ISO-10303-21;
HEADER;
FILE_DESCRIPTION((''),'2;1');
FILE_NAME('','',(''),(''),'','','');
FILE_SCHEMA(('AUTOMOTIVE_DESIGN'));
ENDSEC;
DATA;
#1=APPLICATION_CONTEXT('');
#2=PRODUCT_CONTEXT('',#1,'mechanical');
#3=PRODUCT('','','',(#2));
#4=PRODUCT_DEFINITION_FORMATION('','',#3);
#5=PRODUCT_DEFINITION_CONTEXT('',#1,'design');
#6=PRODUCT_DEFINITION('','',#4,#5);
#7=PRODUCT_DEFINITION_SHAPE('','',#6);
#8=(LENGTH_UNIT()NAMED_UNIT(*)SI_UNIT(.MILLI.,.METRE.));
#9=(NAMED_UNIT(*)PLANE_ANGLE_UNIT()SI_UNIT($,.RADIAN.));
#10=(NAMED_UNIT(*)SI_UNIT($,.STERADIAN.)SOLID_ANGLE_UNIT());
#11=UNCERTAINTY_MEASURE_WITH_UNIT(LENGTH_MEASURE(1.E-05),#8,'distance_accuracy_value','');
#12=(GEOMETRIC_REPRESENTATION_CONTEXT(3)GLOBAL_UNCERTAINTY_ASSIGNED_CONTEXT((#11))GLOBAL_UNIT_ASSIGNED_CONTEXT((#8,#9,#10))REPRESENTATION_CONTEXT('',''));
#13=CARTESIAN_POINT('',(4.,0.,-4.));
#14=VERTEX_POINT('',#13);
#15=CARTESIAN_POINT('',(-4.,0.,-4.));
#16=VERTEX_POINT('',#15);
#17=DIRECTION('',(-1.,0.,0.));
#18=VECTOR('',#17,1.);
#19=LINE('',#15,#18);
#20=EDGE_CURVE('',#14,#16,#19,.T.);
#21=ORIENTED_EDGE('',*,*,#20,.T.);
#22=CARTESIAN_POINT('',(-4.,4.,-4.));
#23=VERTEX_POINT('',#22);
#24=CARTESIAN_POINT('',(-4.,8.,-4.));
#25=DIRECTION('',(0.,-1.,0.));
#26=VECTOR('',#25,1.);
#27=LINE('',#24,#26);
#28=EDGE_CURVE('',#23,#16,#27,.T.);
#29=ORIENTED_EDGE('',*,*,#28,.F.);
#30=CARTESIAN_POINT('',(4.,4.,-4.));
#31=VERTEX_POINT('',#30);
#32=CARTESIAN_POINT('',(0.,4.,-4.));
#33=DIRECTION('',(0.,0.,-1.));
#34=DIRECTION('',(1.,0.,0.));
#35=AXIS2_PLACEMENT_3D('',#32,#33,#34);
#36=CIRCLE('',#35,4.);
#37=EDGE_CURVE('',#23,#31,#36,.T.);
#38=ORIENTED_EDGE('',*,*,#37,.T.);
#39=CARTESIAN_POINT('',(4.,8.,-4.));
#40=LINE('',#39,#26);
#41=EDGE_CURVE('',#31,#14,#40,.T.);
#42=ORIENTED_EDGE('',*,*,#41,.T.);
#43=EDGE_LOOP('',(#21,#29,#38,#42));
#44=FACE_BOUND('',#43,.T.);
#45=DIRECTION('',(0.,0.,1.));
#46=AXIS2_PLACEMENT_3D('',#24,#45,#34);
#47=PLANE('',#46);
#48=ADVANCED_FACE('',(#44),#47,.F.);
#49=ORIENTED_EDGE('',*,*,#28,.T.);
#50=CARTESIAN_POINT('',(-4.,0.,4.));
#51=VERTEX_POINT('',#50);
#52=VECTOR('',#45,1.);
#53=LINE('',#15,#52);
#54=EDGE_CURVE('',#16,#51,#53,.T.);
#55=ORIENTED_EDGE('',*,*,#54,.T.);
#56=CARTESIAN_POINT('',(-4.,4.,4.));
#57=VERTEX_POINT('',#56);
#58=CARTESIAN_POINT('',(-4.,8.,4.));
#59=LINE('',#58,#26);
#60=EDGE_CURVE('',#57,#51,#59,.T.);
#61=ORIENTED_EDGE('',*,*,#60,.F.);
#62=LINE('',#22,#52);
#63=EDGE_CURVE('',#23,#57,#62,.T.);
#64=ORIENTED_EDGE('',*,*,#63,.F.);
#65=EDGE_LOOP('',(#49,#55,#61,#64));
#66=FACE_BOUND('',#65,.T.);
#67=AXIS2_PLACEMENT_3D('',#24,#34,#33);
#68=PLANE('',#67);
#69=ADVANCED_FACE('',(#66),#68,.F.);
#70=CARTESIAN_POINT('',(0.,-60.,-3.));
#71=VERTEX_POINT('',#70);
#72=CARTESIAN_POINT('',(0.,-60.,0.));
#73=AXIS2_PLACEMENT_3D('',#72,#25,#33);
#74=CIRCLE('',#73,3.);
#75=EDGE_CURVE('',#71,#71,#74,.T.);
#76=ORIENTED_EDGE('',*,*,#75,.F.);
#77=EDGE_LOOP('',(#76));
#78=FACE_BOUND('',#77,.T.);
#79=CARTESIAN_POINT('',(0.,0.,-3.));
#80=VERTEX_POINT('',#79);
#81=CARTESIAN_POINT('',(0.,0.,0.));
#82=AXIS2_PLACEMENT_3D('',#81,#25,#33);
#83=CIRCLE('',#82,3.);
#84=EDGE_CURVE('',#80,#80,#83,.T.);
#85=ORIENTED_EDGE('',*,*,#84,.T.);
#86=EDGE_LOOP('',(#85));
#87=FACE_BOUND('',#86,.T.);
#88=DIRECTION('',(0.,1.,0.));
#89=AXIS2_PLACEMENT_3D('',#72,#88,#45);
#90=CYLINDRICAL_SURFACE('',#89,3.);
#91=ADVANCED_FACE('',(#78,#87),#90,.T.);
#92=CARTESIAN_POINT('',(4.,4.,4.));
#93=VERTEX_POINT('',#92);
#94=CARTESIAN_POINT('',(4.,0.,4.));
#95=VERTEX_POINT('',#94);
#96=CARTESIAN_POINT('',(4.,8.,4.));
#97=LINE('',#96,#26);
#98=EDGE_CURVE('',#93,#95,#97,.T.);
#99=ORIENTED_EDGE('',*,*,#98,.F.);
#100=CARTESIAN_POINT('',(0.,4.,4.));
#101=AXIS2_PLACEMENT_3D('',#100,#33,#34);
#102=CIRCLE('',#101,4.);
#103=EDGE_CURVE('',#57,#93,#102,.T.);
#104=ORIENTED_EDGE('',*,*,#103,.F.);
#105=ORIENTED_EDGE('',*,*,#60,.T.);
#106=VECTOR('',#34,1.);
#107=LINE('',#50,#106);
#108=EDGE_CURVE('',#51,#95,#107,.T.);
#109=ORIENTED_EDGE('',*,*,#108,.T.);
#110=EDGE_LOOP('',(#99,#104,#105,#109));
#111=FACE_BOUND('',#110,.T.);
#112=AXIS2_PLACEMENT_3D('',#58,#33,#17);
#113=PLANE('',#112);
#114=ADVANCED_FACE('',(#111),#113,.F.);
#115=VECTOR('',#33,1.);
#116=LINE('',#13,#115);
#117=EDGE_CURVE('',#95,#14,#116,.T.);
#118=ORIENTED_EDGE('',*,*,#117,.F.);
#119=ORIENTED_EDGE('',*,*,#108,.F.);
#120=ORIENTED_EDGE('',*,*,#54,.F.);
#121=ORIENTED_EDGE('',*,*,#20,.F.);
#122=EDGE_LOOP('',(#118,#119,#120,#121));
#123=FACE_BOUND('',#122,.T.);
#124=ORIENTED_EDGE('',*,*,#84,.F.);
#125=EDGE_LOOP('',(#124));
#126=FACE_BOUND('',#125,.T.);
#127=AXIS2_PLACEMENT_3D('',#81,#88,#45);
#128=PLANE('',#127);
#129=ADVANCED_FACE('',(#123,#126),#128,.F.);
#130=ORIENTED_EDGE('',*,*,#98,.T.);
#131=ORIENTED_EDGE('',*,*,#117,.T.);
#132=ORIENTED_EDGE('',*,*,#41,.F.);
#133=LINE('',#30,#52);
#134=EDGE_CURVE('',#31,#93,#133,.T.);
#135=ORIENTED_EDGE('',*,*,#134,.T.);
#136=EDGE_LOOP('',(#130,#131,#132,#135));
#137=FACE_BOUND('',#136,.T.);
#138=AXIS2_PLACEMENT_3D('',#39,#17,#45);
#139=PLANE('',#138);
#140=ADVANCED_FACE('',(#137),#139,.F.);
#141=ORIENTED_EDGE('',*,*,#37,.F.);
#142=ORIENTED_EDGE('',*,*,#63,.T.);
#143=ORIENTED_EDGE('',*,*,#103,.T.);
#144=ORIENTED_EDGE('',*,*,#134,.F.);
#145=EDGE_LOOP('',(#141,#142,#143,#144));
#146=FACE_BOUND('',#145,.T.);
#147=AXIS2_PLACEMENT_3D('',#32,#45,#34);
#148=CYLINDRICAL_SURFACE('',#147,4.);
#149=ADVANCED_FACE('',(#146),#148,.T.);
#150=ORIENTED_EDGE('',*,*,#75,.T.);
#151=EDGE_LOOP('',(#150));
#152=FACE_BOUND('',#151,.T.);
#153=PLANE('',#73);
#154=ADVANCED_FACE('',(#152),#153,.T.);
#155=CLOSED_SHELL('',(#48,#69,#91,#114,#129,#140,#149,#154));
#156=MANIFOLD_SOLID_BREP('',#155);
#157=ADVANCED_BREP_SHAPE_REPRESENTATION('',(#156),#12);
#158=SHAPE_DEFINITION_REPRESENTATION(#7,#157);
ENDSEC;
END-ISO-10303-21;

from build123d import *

# Parameters (mm, degrees)
SKETCH_1_W          = 8
SKETCH_1_H          = 8
EXTRUDE_1_DEPTH     = 8
CUT_EXTRUDE_1_DEPTH = 8
SKETCH_3_R          = 3
EXTRUDE_2_DEPTH     = 60


with BuildPart() as part:
    # 草图1 → 凸台-拉伸1 (new body)
    with BuildSketch(Plane(origin=(0, 0, 0), x_dir=(1, 0, 0), z_dir=(0, 1, 0))):
        Rectangle(SKETCH_1_W, SKETCH_1_H)
    extrude(amount=EXTRUDE_1_DEPTH)

    # 草图2 → 切除-拉伸1 (cut)
    with BuildSketch(Plane.XY.offset(4)):
        with BuildLine():
            Line((-4, 4), (-4, 9.423328326))
            Line((-4, 9.423328326), (4, 9.423328326))
            Line((4, 9.423328326), (4, 4))
            ThreePointArc((4, 4), (0, 8), (-4, 4))
        make_face()
    extrude(amount=-CUT_EXTRUDE_1_DEPTH, mode=Mode.SUBTRACT)

    # 草图3 → 凸台-拉伸2 (add)
    with BuildSketch(Plane.XZ):
        Circle(SKETCH_3_R)
    extrude(amount=EXTRUDE_2_DEPTH)


solid = part.part
